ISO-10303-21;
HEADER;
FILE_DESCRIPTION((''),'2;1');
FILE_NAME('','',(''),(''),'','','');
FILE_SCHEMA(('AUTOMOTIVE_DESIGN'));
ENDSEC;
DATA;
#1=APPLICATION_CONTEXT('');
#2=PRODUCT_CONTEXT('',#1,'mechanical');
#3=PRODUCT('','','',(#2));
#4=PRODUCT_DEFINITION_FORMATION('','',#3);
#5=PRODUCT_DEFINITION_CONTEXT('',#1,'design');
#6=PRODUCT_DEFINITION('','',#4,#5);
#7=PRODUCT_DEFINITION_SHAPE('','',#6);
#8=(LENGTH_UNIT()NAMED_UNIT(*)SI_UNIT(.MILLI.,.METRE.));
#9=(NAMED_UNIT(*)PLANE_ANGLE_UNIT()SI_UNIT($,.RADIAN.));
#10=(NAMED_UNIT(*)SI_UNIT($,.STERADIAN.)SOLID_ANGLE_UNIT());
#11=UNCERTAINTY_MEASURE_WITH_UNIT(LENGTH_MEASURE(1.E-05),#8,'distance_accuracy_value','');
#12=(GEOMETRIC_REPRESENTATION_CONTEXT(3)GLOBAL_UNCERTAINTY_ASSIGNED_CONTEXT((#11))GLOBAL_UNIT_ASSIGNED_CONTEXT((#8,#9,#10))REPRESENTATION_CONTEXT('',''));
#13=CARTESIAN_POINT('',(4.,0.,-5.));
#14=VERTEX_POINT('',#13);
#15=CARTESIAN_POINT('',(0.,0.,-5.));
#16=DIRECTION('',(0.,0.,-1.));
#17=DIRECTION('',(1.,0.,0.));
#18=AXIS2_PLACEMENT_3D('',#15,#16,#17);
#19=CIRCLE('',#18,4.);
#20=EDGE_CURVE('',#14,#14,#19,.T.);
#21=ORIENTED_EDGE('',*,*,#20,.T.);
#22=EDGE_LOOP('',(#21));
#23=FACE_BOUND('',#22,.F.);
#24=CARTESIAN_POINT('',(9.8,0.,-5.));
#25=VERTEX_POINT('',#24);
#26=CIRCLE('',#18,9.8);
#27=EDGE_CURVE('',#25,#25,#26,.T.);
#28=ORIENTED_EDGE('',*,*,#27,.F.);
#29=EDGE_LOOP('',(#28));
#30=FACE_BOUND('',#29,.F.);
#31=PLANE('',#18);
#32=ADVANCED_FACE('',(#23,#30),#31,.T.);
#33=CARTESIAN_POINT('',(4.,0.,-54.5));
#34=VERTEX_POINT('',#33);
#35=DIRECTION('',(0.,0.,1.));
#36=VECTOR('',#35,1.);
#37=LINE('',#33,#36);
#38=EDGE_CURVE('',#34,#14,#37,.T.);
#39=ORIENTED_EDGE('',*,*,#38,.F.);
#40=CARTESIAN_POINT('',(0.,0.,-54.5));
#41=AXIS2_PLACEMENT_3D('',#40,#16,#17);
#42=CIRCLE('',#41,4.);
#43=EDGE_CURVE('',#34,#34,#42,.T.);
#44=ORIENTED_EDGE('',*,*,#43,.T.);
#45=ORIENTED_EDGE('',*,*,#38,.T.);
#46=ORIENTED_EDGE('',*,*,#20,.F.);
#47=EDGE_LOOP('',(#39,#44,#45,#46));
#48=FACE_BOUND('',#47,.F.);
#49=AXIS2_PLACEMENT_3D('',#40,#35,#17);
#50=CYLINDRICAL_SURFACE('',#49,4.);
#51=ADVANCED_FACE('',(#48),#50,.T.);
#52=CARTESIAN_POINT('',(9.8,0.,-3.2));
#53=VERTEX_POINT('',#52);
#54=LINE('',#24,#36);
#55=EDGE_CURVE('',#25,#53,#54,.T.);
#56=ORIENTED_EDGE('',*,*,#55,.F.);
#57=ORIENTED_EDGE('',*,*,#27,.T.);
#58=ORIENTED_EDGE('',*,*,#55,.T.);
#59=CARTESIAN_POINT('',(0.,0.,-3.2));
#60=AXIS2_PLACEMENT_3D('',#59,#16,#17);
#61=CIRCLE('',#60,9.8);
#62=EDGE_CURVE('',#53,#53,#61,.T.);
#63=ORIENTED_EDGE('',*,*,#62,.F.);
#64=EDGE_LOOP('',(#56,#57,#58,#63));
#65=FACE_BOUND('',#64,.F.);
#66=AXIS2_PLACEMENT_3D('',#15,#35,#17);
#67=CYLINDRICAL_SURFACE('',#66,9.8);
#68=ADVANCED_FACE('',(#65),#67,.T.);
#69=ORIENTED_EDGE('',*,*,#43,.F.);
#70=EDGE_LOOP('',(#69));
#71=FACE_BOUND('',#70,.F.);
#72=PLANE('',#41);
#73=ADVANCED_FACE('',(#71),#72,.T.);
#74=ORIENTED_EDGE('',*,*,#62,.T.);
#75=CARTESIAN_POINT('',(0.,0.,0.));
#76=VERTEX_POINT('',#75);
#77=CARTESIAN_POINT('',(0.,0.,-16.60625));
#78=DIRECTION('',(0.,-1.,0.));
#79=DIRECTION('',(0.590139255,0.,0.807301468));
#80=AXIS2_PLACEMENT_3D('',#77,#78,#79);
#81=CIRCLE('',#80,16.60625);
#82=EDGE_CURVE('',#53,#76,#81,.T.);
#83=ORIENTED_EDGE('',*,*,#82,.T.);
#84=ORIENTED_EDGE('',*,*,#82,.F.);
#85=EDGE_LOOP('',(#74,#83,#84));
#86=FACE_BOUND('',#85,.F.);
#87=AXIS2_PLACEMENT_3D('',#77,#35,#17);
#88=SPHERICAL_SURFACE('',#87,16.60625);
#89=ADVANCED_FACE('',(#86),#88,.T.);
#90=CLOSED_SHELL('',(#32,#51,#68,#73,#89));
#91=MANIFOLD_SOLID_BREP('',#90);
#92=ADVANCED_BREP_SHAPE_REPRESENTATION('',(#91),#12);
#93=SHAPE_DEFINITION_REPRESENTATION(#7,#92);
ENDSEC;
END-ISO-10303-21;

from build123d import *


with BuildPart() as f1:
    # F0 (on Front) → F1 (revolve)
    with BuildSketch(Plane.XZ):
        with BuildLine():
            ThreePointArc((9.8, -3.2), (5.1546095875, -0.8202581381), (0, 0))
            Line((0, 0), (0, -54.5))
            Line((0, -54.5), (4, -54.5))
            Line((4, -54.5), (4, -5))
            Line((4, -5), (9.8, -5))
            Line((9.8, -5), (9.8, -3.2))
        make_face()
    revolve(axis=Axis((0, 0, -27.25), (0, 0, -1)))


solid = f1.part
